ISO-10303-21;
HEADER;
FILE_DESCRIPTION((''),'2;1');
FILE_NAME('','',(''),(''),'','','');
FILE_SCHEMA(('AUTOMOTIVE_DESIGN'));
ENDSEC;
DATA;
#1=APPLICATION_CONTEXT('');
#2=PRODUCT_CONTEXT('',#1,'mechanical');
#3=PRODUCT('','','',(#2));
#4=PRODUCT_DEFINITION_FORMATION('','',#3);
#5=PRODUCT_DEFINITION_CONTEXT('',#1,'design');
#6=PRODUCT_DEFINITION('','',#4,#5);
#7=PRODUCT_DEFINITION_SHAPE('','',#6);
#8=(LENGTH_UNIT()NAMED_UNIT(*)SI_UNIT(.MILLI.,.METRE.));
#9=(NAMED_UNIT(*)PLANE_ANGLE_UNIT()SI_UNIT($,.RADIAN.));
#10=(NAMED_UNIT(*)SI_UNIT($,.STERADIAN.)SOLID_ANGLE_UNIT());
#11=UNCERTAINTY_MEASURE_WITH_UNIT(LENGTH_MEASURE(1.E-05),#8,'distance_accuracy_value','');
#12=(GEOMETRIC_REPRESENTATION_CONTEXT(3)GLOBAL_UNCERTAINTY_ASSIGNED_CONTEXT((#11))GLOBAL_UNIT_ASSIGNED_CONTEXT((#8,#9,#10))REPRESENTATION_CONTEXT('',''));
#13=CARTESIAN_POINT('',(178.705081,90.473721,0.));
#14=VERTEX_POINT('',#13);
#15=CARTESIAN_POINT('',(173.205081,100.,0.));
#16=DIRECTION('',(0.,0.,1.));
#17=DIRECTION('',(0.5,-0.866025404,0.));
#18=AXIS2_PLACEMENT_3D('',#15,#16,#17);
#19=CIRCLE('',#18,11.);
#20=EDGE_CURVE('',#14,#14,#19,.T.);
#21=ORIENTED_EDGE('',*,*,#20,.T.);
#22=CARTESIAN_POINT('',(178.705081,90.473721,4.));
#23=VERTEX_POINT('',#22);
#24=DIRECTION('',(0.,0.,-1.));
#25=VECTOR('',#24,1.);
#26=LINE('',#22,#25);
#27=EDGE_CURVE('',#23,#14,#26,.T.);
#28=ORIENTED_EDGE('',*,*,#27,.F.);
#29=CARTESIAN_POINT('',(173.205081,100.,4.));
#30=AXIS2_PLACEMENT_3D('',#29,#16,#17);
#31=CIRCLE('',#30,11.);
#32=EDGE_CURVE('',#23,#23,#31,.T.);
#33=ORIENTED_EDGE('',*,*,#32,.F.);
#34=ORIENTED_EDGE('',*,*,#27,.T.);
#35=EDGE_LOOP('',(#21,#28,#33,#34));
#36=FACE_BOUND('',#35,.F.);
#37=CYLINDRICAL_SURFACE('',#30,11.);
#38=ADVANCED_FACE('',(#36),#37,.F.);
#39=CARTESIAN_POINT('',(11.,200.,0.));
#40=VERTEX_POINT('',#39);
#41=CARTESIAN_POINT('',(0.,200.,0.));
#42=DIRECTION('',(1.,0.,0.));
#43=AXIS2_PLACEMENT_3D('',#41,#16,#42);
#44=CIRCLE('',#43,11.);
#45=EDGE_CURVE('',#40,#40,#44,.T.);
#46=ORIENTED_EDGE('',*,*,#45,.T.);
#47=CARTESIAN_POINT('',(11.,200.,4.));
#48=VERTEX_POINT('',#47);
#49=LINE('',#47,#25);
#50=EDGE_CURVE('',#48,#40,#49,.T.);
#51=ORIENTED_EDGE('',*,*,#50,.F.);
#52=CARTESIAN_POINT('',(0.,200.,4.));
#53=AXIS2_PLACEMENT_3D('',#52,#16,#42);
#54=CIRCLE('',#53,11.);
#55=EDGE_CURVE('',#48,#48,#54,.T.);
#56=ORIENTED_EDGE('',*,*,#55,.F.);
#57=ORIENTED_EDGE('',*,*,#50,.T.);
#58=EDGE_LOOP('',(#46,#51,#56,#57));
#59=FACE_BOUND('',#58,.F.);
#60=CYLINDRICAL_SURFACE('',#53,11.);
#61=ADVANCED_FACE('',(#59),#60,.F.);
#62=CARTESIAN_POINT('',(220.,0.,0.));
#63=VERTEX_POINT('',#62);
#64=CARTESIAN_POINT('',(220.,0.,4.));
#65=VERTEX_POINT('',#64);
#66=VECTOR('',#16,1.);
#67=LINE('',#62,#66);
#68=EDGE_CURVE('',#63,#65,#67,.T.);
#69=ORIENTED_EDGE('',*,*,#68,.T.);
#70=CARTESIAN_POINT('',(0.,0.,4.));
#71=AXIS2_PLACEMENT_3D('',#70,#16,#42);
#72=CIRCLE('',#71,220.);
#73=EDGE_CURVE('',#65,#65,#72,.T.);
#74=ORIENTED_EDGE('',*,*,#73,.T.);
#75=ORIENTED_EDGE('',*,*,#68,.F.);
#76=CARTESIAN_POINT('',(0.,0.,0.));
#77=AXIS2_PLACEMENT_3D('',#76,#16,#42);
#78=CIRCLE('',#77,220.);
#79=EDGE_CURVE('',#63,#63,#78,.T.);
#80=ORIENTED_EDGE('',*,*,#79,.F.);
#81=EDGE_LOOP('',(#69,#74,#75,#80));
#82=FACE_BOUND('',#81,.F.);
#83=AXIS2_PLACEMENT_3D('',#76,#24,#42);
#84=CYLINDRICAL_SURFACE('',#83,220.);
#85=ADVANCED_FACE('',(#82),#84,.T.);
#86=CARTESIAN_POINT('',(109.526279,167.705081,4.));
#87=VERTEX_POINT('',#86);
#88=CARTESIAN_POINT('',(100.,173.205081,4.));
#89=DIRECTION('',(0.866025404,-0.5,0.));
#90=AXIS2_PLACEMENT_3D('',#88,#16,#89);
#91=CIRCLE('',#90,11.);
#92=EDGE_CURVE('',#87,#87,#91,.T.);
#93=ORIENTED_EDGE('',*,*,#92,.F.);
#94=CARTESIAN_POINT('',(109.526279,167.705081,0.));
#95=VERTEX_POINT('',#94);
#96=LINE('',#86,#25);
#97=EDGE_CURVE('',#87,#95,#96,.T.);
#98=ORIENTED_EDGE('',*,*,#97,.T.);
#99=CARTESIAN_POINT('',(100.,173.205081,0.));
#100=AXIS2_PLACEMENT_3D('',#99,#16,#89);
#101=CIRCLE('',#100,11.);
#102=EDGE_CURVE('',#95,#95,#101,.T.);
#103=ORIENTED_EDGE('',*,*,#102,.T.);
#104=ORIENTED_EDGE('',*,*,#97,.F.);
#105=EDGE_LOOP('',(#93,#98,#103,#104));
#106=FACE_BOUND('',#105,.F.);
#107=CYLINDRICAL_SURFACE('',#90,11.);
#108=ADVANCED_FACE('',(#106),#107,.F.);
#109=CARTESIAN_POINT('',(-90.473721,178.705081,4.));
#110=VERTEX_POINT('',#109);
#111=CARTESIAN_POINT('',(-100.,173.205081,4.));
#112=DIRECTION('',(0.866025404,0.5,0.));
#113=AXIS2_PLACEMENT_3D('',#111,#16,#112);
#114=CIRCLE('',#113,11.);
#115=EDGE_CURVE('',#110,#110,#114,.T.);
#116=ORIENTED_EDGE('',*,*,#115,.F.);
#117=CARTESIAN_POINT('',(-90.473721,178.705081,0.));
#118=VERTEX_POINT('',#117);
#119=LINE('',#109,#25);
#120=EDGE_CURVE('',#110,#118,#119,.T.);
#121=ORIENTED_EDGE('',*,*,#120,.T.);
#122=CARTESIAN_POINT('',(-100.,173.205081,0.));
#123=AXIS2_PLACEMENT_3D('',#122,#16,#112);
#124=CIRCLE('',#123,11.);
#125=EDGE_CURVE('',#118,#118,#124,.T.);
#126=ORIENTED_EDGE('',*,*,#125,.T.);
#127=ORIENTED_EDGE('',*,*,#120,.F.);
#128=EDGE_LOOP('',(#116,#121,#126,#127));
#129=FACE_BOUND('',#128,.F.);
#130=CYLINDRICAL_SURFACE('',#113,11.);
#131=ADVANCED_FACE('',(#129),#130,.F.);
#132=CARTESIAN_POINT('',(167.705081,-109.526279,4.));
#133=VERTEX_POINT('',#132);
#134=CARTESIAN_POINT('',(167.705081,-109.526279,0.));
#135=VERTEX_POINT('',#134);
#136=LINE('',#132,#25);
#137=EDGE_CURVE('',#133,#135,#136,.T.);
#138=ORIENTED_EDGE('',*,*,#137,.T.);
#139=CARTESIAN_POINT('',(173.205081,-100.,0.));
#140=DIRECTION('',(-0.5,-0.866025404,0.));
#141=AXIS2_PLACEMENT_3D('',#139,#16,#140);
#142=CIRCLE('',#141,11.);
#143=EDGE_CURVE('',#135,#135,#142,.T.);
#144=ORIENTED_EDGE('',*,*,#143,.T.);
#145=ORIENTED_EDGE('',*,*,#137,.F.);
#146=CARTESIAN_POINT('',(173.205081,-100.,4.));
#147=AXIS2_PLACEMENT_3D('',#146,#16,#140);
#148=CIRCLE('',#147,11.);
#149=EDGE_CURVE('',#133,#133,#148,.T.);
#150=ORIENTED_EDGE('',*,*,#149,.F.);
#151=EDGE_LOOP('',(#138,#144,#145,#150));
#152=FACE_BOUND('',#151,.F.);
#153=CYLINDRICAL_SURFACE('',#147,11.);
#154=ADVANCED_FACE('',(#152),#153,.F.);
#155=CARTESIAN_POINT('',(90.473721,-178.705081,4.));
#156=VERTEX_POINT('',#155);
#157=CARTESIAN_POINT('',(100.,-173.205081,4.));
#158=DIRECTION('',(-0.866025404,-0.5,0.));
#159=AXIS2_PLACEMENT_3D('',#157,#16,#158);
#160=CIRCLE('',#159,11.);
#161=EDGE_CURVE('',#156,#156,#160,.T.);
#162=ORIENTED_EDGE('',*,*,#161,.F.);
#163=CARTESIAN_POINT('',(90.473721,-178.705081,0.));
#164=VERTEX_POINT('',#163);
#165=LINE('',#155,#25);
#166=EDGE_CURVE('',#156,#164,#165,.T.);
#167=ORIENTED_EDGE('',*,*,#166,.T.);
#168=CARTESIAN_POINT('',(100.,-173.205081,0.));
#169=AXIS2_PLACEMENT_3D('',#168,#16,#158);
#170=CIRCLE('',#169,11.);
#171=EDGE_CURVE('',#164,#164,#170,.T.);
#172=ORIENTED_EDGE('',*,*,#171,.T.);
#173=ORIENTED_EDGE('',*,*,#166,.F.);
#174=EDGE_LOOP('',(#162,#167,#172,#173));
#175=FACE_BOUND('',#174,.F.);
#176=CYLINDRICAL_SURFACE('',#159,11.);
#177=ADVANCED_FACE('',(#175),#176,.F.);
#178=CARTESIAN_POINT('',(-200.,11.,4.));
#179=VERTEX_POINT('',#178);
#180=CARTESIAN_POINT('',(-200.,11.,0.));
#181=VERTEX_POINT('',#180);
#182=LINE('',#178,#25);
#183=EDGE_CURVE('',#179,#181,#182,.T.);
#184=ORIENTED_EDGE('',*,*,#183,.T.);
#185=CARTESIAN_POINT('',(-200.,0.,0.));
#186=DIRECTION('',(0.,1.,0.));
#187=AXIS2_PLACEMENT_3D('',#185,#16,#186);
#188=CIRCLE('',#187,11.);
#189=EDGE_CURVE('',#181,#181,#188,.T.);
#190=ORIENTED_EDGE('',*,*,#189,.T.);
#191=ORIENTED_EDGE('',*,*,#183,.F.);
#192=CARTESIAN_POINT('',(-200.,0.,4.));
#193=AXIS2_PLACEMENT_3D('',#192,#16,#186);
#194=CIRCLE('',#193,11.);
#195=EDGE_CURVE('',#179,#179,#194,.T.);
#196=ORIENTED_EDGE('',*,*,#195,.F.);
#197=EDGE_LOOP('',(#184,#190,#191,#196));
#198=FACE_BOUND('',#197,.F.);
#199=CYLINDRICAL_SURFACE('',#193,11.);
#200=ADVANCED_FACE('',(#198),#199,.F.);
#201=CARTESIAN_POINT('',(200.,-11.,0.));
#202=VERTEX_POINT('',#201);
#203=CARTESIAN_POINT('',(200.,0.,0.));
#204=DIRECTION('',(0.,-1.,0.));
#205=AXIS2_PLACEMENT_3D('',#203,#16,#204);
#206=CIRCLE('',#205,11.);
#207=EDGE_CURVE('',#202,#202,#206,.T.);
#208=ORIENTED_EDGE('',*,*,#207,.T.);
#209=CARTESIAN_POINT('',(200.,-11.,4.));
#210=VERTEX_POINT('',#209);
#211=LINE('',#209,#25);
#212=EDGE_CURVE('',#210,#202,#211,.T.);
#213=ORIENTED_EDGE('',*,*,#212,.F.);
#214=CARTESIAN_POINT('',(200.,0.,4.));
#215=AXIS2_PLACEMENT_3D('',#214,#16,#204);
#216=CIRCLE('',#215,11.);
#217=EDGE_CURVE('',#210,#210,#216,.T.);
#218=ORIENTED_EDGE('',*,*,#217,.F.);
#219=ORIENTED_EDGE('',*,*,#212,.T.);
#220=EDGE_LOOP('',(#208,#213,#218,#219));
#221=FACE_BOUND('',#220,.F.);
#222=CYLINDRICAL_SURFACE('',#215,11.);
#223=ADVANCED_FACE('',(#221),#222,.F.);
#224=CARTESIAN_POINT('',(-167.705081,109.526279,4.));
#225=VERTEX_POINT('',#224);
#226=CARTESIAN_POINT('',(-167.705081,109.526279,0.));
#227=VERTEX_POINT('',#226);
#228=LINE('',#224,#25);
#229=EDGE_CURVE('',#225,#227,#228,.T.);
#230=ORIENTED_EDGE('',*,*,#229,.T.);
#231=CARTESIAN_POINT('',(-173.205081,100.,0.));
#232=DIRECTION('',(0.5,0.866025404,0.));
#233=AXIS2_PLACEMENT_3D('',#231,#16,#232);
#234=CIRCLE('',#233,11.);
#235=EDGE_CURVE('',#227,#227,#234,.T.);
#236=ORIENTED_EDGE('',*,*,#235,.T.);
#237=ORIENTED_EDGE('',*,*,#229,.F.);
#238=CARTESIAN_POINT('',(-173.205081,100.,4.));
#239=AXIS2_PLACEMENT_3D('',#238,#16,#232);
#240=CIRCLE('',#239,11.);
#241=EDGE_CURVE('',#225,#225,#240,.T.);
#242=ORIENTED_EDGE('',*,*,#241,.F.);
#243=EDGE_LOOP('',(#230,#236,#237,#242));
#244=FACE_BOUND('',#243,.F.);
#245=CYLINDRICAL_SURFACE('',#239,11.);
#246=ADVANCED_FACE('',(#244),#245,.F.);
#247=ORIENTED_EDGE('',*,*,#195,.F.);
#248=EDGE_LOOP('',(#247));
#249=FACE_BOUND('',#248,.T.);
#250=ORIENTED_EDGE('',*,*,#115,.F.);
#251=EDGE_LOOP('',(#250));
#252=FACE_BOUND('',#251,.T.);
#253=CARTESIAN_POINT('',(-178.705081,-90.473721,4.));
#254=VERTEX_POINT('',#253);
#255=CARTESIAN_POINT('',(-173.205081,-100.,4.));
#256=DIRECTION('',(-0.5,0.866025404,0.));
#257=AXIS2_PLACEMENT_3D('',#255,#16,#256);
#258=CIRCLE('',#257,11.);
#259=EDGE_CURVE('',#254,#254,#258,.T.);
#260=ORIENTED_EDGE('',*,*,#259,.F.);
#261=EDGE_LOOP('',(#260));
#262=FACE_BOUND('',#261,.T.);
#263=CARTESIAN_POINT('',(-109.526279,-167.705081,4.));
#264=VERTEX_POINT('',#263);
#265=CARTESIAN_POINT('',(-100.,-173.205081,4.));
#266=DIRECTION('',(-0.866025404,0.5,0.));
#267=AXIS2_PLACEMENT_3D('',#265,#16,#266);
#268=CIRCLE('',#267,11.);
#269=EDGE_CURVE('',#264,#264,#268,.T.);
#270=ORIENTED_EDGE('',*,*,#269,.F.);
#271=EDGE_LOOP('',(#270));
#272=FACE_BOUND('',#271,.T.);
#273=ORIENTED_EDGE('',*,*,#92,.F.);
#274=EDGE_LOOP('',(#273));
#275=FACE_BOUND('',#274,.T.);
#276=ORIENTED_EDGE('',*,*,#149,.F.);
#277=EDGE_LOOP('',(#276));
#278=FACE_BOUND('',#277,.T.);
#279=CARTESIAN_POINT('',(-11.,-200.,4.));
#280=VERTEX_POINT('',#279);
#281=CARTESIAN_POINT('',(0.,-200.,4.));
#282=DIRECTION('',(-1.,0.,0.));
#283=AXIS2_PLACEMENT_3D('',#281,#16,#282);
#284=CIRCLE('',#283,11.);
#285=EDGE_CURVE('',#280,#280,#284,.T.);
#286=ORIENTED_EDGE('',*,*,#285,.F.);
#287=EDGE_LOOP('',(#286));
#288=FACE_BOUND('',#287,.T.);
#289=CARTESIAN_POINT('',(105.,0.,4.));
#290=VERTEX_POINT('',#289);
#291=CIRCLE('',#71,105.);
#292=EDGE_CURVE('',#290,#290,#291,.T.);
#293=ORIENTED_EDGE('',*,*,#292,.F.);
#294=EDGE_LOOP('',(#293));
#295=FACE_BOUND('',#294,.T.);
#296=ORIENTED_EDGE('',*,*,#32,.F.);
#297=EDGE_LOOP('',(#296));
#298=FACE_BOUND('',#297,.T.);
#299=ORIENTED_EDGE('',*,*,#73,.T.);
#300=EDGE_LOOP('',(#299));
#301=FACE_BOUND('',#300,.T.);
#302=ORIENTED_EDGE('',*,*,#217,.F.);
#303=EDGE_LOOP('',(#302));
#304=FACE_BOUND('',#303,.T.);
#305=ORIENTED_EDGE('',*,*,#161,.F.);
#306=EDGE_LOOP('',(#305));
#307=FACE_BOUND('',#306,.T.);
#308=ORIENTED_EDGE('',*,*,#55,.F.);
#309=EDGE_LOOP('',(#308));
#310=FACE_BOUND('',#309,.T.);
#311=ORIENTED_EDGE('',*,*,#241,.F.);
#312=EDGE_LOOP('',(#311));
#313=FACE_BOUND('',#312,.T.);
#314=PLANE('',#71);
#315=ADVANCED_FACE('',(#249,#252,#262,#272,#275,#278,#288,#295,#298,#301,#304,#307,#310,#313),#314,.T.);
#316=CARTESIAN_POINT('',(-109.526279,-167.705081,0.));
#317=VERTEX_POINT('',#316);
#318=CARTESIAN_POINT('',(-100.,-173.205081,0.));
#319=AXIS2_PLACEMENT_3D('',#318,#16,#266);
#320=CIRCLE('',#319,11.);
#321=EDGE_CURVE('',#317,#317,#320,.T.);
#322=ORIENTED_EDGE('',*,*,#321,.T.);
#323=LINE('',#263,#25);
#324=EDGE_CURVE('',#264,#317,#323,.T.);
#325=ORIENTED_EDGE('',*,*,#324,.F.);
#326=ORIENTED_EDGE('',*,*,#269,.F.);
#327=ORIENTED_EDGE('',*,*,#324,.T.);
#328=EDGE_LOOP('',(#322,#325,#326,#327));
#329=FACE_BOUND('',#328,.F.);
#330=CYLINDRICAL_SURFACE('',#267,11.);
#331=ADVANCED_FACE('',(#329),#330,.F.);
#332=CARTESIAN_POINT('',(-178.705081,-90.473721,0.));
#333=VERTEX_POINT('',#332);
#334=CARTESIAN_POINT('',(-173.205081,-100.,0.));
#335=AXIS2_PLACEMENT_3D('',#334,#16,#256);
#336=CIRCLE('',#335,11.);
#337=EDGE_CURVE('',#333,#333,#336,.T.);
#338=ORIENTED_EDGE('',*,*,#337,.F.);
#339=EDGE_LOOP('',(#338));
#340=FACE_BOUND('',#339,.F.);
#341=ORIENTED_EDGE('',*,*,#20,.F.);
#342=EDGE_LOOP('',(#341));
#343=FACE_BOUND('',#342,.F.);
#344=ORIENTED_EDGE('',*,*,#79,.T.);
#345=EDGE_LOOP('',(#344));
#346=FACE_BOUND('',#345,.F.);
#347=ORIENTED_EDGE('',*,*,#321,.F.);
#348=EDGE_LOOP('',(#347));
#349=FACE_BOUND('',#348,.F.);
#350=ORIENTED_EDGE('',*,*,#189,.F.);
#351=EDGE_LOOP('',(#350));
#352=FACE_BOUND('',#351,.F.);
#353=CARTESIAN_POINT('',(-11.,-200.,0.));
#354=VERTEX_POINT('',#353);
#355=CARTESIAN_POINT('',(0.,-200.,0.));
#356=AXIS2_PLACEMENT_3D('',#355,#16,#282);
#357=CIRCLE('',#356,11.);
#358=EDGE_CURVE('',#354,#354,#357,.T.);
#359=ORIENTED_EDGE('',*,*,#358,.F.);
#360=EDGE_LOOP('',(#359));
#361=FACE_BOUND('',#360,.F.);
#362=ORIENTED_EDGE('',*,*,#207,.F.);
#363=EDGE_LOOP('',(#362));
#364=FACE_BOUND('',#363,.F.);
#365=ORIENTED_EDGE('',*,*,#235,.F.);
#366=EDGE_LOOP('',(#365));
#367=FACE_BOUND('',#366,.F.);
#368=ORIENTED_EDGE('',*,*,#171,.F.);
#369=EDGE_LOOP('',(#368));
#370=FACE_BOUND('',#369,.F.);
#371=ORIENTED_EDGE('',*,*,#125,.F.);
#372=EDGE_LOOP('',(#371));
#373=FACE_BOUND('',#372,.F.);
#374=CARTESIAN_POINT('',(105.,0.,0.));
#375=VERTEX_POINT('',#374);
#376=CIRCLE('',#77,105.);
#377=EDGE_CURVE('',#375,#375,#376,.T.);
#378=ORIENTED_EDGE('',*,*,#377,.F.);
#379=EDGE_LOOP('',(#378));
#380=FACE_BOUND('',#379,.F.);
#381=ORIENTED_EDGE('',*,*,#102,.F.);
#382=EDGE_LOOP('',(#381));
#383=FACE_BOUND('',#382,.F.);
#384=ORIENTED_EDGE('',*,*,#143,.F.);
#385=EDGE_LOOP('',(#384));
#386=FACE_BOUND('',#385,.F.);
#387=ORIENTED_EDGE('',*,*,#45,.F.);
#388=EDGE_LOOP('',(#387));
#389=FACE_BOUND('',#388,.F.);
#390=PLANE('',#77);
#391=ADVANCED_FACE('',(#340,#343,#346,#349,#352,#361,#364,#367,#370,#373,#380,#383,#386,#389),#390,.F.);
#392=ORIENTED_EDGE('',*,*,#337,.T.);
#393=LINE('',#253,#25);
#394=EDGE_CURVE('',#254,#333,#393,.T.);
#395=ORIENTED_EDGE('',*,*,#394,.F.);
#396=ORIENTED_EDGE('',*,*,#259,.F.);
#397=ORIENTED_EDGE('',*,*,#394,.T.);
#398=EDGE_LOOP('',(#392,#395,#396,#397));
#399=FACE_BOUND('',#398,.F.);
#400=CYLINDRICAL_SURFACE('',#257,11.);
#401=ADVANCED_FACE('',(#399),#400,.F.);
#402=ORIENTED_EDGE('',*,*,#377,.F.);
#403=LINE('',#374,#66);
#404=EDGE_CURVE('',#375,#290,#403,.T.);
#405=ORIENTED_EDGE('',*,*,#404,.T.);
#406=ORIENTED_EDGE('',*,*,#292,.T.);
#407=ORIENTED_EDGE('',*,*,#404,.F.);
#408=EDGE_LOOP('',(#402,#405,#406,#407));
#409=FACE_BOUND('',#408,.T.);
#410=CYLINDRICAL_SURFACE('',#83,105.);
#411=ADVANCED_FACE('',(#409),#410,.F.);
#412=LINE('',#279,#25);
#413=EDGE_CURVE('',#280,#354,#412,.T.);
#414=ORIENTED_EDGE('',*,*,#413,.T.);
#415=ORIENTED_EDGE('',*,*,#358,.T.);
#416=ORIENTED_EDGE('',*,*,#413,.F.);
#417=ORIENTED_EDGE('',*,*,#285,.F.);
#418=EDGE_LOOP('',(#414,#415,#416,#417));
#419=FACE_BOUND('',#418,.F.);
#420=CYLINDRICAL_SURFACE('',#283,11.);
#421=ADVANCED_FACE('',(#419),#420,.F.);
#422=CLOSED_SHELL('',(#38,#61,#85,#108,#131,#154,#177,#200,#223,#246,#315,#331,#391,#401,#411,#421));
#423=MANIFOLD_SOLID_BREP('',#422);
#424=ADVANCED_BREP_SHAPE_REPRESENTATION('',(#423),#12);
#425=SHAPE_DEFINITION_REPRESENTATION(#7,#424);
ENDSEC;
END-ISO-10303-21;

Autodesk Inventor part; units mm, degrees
ref_plane "YZ Plane" through (0, 0, 0) normal (1, 0, 0) x (0, 1, 0)
ref_plane "XZ Plane" through (0, 0, 0) normal (0, 1, 0) x (-1, 0, 0)
ref_plane "XY Plane" through (0, 0, 0) normal (0, 0, 1) x (1, 0, 0)
sketch "Sketch1" plane through (0, 0, 0) normal (0, 0, 1) x (1, 0, 0)
  circle A0 centre (0, 0) radius 105
  circle A1 centre (0, 0) radius 220
  dimension "d22" = 210
  dimension "d23" = 440
extrude "Plate1" add sketch "Sketch1" along normal blind 4
sketch "Sketch5" plane through (0, 0, 4) normal (0, 0, 1) x (1, 0, 0)
  circle A0 centre (0, 200) radius 11
  circle A1 centre (0, 0) radius 200 construction
  dimension "d25" = 400
  dimension "d24" = 22
extrude "Cut1" cut sketch "Sketch5" against normal blind 4
pattern_circular "Circular Pattern1" count 12 over 360 about axis through (0, 0, 0) along (0, 0, 1) of "Cut1"
equation "\"d26\" = Thickness"
equation "\"d2\" = Thickness"
equation "\"BendReliefWidth\" = Thickness"
equation "\"BendReliefDepth\" = 0.5 * Thickness"
equation "\"CornerReliefSize\" = 4 * Thickness"
equation "\"MinimumRemnant\" = 2 * Thickness"
equation "\"TransitionRadius\" = BendRadius"
equation "\"JacobiRadiusSize\" = BendRadius"
equation "\"GapSize\" = Thickness"
equation "\"Thickness\" = 4"
equation "\"BendRadius\" = 5"
properties part number "TKS 3211 flange separator" material "Stainless Steel"
